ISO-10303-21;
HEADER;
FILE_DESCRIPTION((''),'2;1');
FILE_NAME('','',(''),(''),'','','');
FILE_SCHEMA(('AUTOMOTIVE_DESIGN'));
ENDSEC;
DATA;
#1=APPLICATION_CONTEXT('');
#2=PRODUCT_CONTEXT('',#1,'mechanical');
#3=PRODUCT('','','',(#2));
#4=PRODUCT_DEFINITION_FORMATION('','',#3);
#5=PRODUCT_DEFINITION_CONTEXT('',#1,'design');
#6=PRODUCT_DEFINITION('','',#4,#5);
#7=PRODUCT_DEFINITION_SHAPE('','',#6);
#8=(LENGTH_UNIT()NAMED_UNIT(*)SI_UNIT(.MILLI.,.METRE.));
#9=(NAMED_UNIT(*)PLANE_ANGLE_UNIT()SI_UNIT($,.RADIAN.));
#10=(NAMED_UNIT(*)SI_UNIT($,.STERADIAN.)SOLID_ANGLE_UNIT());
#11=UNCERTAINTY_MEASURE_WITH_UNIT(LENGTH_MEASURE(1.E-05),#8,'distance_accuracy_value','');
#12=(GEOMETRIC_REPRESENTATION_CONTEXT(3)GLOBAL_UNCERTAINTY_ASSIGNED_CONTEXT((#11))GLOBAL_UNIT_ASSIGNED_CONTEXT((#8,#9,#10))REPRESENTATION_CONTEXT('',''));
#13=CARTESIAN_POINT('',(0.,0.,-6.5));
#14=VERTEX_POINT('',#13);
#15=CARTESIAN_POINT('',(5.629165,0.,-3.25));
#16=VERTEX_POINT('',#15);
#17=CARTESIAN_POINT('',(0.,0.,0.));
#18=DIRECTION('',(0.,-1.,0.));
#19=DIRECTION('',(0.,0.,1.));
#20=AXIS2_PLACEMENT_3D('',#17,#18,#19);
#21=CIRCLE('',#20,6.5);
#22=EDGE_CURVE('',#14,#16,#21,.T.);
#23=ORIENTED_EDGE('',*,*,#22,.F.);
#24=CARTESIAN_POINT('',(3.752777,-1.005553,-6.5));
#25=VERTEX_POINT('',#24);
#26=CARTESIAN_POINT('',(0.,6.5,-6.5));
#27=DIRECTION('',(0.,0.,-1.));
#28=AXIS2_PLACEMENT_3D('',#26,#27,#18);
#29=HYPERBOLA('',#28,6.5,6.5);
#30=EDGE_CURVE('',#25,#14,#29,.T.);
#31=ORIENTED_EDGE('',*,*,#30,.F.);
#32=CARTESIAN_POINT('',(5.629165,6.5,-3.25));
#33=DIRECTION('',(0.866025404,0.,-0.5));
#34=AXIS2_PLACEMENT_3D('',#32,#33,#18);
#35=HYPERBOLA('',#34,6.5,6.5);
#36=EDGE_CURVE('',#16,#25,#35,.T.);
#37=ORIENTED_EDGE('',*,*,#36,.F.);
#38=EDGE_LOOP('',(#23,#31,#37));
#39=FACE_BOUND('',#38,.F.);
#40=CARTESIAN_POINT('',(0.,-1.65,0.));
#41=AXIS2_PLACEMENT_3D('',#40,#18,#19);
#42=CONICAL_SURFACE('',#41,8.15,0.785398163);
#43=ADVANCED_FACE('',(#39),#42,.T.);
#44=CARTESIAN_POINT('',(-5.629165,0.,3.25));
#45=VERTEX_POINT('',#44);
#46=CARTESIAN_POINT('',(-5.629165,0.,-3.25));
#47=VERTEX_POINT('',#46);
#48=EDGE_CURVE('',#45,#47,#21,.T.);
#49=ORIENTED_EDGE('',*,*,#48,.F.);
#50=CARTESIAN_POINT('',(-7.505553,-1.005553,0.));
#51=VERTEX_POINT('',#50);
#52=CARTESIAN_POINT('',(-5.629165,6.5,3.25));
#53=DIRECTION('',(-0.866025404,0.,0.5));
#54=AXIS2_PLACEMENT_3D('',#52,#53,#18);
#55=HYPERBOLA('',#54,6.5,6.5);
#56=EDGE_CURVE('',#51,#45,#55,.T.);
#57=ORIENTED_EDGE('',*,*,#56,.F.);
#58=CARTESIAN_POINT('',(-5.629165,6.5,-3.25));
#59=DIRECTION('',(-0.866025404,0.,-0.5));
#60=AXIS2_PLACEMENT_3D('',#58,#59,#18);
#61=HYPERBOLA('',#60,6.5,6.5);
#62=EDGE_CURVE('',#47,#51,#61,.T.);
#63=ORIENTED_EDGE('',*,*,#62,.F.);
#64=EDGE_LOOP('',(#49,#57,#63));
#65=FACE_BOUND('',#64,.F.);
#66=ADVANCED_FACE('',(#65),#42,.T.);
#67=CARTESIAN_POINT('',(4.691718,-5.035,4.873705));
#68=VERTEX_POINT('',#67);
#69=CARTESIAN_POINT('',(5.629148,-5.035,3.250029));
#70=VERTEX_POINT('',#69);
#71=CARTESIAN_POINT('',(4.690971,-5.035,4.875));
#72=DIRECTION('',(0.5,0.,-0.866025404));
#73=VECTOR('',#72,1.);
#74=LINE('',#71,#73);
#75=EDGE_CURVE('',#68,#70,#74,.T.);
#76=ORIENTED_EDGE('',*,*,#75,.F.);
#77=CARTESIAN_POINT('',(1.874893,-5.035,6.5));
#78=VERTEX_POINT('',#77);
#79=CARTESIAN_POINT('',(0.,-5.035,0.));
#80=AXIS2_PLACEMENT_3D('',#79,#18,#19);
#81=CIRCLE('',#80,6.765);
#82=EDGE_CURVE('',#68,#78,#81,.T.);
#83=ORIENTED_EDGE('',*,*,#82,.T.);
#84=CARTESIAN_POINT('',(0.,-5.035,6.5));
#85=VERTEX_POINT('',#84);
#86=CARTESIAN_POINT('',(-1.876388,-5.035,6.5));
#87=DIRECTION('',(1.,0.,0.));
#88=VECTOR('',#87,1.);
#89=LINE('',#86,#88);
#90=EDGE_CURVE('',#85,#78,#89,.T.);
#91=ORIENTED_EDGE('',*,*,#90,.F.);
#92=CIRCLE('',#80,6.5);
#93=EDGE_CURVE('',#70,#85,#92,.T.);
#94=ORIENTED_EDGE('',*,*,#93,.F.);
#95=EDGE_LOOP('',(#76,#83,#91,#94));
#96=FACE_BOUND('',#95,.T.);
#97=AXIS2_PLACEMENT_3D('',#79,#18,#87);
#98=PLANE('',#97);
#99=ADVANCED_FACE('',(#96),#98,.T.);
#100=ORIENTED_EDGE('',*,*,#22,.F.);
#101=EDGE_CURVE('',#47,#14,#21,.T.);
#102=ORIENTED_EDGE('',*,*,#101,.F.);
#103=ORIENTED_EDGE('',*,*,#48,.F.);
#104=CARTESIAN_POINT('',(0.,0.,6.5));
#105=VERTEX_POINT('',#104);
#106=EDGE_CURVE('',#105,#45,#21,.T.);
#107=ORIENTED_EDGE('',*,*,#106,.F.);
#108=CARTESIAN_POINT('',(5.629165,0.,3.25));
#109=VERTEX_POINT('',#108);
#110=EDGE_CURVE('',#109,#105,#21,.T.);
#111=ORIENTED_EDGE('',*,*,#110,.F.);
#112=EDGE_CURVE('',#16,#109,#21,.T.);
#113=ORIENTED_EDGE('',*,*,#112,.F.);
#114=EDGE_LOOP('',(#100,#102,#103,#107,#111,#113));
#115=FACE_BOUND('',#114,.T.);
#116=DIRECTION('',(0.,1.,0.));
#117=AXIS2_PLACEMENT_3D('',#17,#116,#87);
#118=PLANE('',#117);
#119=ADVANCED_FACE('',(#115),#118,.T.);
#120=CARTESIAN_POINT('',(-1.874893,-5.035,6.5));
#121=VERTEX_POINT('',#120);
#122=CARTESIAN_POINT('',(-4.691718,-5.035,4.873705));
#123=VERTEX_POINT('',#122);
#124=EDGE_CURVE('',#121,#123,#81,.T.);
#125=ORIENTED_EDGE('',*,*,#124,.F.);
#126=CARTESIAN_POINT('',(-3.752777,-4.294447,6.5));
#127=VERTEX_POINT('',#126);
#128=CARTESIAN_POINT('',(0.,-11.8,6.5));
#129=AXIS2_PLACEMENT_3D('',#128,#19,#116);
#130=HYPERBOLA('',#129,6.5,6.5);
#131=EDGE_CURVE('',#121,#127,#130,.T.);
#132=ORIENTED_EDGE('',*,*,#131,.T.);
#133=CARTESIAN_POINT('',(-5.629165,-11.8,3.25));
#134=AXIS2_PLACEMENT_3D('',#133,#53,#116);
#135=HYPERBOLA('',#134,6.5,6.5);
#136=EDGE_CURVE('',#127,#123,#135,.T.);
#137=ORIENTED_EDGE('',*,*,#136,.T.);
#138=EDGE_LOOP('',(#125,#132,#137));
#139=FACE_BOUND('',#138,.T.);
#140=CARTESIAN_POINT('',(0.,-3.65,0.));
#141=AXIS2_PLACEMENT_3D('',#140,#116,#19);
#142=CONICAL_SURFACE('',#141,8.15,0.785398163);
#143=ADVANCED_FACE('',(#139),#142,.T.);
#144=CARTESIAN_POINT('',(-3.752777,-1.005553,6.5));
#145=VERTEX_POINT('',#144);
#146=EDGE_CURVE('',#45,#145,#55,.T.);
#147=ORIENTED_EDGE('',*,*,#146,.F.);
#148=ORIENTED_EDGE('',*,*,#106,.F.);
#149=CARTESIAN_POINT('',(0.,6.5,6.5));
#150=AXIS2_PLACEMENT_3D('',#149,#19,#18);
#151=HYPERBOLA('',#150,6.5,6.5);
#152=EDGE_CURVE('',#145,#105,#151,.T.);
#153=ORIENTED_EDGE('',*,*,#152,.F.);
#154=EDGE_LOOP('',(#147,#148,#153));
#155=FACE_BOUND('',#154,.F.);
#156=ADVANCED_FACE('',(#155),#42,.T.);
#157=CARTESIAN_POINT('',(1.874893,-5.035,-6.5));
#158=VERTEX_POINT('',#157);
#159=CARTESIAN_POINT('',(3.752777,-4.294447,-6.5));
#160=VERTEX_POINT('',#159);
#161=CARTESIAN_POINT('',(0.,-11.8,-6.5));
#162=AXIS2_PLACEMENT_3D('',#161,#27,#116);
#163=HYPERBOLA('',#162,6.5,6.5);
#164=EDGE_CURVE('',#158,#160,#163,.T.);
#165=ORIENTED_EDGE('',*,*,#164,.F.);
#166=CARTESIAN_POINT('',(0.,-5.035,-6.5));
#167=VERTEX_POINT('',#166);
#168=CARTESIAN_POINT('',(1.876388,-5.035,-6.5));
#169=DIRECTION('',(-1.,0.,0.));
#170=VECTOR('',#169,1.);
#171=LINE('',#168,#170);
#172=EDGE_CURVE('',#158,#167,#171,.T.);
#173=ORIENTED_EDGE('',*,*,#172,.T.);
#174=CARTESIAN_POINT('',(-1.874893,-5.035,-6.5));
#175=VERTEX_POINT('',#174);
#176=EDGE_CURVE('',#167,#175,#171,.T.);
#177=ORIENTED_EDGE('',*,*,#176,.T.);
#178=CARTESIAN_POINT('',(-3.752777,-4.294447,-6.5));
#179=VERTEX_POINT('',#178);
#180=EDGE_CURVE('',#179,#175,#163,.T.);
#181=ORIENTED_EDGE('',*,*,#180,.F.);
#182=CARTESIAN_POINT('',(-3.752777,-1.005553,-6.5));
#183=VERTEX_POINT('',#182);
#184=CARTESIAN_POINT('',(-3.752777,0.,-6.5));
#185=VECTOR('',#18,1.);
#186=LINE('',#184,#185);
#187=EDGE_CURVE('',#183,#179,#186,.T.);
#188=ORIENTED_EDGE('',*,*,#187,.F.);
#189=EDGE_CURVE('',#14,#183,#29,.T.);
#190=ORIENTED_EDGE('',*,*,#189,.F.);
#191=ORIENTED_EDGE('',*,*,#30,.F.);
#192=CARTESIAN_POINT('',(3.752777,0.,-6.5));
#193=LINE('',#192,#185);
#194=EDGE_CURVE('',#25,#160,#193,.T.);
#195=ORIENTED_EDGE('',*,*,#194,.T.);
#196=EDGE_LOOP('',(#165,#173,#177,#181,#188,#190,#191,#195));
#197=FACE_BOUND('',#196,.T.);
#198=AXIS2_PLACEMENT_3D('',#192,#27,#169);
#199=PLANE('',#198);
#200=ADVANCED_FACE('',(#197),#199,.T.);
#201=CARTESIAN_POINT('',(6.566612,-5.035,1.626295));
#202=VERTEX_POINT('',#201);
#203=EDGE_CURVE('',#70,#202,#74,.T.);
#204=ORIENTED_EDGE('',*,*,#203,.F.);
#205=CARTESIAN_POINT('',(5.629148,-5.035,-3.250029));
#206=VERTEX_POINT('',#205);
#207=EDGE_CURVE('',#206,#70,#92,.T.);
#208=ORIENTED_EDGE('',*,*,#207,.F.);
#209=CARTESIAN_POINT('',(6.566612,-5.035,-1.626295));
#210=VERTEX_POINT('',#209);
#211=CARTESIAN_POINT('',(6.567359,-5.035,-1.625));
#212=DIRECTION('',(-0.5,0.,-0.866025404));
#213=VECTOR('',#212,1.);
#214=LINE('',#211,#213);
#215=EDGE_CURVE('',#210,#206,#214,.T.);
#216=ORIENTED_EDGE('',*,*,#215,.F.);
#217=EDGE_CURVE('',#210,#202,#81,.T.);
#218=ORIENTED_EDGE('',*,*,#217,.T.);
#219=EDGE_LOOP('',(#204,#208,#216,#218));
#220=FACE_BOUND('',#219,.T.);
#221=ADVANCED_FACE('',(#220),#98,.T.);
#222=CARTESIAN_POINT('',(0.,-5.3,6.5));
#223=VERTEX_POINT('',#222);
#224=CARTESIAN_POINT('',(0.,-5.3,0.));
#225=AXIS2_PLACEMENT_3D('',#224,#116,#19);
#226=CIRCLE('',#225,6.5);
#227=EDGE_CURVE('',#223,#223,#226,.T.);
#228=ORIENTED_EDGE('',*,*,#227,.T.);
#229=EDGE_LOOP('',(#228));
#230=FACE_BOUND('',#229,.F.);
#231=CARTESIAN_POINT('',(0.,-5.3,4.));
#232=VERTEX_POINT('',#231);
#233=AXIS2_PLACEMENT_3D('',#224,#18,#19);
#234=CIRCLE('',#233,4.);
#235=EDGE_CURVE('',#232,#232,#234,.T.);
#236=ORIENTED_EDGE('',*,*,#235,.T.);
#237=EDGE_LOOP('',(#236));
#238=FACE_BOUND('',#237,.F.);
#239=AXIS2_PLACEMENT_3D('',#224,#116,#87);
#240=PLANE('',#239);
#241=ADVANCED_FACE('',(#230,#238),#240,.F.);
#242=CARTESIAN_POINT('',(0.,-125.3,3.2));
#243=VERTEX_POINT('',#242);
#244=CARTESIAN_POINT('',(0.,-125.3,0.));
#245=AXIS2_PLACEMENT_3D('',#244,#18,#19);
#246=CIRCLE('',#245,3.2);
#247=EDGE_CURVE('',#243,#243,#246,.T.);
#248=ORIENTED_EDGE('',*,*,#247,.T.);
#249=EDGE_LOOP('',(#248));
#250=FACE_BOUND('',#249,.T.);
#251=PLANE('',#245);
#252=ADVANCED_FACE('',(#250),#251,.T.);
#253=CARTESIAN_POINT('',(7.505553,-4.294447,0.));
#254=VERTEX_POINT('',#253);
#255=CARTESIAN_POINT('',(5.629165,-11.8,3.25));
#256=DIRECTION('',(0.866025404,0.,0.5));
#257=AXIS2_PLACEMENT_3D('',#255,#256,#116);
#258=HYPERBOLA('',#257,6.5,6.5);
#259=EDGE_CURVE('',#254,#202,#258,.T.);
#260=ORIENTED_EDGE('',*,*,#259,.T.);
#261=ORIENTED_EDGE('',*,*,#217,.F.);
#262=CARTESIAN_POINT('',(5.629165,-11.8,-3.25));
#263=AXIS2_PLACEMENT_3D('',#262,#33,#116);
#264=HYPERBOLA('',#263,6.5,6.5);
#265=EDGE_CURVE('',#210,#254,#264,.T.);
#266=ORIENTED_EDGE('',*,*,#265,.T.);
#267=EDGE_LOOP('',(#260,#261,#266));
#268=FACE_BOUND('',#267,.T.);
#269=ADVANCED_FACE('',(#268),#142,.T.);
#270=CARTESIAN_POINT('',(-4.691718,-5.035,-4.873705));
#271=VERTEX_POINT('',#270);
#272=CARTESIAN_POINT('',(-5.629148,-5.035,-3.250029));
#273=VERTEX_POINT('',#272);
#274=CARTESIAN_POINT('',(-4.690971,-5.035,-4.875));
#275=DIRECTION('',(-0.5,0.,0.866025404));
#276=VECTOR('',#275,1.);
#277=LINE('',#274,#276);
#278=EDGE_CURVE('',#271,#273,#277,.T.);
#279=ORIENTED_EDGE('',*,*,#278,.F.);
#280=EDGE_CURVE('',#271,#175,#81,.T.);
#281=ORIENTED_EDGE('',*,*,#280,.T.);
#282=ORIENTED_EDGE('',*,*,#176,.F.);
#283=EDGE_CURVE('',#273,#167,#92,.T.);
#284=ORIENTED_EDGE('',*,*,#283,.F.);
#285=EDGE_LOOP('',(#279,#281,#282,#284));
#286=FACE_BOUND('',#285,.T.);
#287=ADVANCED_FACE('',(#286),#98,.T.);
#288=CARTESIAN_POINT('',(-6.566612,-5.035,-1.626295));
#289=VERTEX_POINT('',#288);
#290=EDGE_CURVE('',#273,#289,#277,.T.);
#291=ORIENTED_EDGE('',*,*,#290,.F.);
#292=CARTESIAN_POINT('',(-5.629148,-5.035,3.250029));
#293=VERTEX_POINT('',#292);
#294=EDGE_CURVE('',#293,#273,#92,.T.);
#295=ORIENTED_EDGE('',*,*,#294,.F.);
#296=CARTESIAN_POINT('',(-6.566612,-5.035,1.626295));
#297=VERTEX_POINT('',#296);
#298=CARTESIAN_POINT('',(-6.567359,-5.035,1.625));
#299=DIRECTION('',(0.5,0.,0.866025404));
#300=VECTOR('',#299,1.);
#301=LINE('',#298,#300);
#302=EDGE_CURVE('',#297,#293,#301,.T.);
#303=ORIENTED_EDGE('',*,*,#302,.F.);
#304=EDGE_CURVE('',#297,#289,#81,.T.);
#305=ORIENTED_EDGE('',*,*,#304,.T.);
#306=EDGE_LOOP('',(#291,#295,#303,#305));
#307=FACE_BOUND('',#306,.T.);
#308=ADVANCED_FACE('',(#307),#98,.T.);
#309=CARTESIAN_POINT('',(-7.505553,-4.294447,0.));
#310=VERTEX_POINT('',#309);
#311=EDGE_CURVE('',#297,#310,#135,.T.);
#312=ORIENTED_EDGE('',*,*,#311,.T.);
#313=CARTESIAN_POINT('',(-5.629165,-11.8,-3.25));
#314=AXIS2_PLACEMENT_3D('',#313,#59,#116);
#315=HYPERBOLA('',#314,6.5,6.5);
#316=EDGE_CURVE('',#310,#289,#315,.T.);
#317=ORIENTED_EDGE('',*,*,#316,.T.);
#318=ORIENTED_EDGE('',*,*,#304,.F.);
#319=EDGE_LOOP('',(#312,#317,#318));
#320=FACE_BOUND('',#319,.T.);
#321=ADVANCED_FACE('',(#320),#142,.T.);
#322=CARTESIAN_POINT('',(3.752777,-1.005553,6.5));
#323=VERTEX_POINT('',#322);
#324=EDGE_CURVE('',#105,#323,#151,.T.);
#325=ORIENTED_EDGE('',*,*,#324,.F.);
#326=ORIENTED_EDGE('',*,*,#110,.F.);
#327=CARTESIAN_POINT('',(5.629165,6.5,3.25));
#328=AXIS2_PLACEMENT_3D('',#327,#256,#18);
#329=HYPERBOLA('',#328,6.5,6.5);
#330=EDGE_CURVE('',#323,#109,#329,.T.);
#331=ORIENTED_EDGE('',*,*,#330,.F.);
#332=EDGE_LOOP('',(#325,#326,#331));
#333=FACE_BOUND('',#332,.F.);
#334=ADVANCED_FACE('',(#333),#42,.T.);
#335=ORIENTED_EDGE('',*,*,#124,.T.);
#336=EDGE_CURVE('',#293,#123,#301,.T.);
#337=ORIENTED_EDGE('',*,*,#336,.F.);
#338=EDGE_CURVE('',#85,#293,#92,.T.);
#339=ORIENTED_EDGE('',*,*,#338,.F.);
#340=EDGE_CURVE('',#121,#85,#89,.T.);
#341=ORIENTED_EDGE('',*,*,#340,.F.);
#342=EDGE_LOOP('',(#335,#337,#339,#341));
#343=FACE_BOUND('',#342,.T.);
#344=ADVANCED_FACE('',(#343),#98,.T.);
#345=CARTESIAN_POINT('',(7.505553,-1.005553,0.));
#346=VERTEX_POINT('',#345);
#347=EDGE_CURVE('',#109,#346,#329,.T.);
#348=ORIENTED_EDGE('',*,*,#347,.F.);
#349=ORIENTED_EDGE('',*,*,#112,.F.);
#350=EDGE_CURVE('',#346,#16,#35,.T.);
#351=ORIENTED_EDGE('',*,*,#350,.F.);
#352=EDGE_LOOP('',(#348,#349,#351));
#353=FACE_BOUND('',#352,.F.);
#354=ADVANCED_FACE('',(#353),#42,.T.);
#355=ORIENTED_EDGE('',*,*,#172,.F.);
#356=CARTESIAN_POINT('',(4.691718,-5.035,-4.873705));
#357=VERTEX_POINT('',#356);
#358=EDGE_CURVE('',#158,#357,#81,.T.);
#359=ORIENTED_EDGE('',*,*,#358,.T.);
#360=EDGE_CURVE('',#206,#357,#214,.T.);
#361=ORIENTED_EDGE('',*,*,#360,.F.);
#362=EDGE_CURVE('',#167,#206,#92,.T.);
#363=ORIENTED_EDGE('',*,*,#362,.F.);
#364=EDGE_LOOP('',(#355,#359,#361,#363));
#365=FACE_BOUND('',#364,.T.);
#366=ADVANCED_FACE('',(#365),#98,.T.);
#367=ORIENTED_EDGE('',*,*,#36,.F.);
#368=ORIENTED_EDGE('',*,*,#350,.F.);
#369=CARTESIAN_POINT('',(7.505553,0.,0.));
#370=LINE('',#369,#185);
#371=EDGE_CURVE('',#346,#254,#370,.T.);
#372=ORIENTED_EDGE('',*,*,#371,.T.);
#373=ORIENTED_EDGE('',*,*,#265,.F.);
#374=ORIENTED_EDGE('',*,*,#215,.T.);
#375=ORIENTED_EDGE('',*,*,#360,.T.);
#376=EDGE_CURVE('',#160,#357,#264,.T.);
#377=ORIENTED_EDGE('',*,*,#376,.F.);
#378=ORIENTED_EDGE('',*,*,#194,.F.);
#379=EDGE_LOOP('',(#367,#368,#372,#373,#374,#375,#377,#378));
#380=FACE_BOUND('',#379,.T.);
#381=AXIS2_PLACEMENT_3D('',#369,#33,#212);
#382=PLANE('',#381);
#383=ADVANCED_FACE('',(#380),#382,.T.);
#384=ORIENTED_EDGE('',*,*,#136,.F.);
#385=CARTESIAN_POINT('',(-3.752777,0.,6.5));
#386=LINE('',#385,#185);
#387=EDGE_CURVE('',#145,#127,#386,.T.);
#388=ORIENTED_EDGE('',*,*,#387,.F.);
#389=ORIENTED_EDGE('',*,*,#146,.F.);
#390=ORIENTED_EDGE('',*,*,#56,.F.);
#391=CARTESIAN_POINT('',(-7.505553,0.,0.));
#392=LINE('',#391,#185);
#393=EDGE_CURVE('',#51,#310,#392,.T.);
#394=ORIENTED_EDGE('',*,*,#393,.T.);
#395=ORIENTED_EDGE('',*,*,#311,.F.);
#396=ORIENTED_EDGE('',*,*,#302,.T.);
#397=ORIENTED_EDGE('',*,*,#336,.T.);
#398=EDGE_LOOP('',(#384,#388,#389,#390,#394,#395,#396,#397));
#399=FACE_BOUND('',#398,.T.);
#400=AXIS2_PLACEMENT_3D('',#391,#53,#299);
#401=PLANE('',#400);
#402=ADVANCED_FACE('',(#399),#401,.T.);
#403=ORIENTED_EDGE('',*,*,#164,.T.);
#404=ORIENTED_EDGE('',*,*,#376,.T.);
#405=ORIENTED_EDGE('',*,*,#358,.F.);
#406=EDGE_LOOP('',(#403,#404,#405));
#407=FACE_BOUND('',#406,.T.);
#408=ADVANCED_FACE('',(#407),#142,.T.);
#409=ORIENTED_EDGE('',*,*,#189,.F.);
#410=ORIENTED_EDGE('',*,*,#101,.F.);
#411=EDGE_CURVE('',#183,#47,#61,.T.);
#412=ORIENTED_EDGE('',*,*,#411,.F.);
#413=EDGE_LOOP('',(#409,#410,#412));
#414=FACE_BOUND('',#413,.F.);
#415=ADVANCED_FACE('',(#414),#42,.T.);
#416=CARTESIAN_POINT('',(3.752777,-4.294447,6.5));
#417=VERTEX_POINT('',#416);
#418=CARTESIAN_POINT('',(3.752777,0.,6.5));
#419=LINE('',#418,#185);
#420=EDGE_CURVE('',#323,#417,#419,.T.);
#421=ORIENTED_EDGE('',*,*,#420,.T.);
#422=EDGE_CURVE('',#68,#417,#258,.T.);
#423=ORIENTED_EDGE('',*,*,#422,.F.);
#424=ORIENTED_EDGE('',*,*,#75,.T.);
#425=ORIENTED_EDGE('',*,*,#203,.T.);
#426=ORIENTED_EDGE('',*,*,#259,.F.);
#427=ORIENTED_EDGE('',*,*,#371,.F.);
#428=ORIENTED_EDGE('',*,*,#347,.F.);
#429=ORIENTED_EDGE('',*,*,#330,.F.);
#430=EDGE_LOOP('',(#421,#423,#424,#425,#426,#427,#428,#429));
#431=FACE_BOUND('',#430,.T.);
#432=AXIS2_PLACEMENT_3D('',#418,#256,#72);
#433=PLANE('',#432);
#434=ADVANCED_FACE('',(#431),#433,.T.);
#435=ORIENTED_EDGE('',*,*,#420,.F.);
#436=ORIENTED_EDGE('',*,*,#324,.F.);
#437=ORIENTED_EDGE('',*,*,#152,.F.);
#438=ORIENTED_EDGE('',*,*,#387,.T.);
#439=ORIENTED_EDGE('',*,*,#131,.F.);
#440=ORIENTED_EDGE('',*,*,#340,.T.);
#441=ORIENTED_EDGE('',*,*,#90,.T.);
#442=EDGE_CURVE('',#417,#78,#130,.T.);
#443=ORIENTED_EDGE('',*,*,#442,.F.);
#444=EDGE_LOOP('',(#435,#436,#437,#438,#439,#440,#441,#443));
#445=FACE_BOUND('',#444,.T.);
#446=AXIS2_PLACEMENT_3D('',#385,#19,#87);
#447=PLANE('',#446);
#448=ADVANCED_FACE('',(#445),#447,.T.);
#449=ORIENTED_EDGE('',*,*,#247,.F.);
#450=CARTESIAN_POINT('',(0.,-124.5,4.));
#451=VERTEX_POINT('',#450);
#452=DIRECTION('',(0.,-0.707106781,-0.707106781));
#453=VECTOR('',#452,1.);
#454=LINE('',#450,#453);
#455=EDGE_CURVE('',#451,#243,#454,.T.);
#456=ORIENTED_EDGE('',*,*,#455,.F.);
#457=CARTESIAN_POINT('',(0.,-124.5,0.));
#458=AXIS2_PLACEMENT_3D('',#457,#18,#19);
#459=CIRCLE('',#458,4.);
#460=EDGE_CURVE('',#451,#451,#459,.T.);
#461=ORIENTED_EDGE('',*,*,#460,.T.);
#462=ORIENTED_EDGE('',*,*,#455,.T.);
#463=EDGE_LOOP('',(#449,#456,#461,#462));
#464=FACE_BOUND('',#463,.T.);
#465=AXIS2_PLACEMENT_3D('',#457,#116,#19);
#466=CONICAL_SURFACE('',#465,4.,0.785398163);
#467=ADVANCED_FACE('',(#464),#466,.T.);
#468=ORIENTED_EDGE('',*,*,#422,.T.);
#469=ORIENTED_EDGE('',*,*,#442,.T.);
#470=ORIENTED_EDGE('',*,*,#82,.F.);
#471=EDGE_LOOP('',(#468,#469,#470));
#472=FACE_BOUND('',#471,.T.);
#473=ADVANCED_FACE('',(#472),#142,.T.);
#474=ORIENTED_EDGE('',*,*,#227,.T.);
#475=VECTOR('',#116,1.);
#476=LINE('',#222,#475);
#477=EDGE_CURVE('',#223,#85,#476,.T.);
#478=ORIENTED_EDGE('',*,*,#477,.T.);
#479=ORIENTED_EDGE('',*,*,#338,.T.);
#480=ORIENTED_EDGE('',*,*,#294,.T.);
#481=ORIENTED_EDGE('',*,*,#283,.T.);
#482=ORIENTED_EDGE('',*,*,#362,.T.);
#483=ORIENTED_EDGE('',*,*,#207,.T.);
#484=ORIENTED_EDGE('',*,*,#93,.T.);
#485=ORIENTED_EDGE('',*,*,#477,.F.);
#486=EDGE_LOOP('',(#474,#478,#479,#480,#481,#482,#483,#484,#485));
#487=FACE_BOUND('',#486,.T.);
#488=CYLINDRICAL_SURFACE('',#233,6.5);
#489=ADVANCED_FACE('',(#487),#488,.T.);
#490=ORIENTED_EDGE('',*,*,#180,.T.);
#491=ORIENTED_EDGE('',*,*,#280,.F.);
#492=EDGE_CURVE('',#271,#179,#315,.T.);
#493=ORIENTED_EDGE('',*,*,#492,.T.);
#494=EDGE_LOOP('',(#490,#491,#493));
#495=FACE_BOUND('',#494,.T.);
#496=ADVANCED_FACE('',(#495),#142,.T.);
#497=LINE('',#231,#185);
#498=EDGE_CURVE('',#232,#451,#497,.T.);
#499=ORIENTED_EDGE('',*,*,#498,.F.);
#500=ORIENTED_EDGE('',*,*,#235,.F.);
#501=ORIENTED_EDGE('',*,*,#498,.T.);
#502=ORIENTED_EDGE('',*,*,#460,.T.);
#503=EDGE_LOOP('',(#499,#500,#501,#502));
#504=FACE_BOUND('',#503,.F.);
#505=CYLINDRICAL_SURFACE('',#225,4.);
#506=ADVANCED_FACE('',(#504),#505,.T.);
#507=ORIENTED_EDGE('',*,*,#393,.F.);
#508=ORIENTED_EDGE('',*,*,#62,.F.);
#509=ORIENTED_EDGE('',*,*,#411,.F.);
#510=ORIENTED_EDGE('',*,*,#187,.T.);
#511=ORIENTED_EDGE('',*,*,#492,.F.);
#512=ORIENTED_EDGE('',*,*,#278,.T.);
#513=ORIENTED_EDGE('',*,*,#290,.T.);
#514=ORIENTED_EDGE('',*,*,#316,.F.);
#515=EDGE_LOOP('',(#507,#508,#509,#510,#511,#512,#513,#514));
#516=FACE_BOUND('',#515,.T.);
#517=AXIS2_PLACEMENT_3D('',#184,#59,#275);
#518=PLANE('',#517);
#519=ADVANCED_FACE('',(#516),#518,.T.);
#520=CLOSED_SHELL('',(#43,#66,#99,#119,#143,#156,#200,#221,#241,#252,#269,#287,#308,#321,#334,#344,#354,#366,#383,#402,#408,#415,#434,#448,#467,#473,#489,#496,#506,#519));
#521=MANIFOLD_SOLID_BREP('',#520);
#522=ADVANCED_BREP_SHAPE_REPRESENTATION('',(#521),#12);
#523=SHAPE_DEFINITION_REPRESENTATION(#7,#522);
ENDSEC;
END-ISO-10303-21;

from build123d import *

# Parameters (mm, degrees)
BOSS_EXTRUDE1_DEPTH = 5.3
SKETCH2_OUTSIDE_W   = 21.122
SKETCH2_OUTSIDE_H   = 19.11
SKETCH2_OUTSIDE_R   = 6.5
CUT_EXTRUDE1_DEPTH  = 0.265
SKETCH3_R           = 4
BOSS_EXTRUDE2_DEPTH = 120
CHAMFER1_SIZE       = 0.8


with BuildPart() as part:
    # Sketch1 → Boss-Extrude1 (new body)
    with BuildSketch(Plane(origin=(0, 0, 0), x_dir=(1, 0, 0), z_dir=(0, 1, 0))):
        Polygon((7.505553499, 0), (3.75277675, 6.5), (-3.75277675, 6.5), (-7.505553499, 0), (-3.75277675, -6.5), (3.75277675, -6.5), align=None)
    extrude(amount=-BOSS_EXTRUDE1_DEPTH)

    # Sketch4 → Cut-Revolve1 (revolve, cut)
    with BuildSketch(Plane(origin=(0, 0, 0), x_dir=(0, 0, -1), z_dir=(1, 0, 0))):
        Polygon((-6.5, 0), (-8.15, 0), (-8.15, -1.65), align=None)
        Polygon((-8.15, -3.65), (-6.5, -5.3), (-8.15, -5.3), align=None)
    revolve(axis=Axis((0, 0, 0), (0, -1, 0)), mode=Mode.SUBTRACT)

    # Sketch2 outside → Cut-Extrude1 (cut)
    with BuildSketch(Plane.XZ.offset(5.3)):
        Rectangle(SKETCH2_OUTSIDE_W, SKETCH2_OUTSIDE_H)
        with Locations(Location((0, 0, 0), (0, 0, 90))):
            Circle(SKETCH2_OUTSIDE_R, mode=Mode.SUBTRACT)
    extrude(amount=-CUT_EXTRUDE1_DEPTH, mode=Mode.SUBTRACT)

    # Sketch3 → Boss-Extrude2 (add)
    with BuildSketch(Plane.XZ.offset(5.3)):
        with Locations(Location((0, 0, 0), (0, 0, 90))):
            Circle(SKETCH3_R)
    extrude(amount=BOSS_EXTRUDE2_DEPTH)

    # Chamfer1
    chamfer1_edges = [part.edges().sort_by_distance(p)[0] for p in [
        (0, -125.3, -4),
    ]]
    chamfer(chamfer1_edges, length=CHAMFER1_SIZE)


solid = part.part
